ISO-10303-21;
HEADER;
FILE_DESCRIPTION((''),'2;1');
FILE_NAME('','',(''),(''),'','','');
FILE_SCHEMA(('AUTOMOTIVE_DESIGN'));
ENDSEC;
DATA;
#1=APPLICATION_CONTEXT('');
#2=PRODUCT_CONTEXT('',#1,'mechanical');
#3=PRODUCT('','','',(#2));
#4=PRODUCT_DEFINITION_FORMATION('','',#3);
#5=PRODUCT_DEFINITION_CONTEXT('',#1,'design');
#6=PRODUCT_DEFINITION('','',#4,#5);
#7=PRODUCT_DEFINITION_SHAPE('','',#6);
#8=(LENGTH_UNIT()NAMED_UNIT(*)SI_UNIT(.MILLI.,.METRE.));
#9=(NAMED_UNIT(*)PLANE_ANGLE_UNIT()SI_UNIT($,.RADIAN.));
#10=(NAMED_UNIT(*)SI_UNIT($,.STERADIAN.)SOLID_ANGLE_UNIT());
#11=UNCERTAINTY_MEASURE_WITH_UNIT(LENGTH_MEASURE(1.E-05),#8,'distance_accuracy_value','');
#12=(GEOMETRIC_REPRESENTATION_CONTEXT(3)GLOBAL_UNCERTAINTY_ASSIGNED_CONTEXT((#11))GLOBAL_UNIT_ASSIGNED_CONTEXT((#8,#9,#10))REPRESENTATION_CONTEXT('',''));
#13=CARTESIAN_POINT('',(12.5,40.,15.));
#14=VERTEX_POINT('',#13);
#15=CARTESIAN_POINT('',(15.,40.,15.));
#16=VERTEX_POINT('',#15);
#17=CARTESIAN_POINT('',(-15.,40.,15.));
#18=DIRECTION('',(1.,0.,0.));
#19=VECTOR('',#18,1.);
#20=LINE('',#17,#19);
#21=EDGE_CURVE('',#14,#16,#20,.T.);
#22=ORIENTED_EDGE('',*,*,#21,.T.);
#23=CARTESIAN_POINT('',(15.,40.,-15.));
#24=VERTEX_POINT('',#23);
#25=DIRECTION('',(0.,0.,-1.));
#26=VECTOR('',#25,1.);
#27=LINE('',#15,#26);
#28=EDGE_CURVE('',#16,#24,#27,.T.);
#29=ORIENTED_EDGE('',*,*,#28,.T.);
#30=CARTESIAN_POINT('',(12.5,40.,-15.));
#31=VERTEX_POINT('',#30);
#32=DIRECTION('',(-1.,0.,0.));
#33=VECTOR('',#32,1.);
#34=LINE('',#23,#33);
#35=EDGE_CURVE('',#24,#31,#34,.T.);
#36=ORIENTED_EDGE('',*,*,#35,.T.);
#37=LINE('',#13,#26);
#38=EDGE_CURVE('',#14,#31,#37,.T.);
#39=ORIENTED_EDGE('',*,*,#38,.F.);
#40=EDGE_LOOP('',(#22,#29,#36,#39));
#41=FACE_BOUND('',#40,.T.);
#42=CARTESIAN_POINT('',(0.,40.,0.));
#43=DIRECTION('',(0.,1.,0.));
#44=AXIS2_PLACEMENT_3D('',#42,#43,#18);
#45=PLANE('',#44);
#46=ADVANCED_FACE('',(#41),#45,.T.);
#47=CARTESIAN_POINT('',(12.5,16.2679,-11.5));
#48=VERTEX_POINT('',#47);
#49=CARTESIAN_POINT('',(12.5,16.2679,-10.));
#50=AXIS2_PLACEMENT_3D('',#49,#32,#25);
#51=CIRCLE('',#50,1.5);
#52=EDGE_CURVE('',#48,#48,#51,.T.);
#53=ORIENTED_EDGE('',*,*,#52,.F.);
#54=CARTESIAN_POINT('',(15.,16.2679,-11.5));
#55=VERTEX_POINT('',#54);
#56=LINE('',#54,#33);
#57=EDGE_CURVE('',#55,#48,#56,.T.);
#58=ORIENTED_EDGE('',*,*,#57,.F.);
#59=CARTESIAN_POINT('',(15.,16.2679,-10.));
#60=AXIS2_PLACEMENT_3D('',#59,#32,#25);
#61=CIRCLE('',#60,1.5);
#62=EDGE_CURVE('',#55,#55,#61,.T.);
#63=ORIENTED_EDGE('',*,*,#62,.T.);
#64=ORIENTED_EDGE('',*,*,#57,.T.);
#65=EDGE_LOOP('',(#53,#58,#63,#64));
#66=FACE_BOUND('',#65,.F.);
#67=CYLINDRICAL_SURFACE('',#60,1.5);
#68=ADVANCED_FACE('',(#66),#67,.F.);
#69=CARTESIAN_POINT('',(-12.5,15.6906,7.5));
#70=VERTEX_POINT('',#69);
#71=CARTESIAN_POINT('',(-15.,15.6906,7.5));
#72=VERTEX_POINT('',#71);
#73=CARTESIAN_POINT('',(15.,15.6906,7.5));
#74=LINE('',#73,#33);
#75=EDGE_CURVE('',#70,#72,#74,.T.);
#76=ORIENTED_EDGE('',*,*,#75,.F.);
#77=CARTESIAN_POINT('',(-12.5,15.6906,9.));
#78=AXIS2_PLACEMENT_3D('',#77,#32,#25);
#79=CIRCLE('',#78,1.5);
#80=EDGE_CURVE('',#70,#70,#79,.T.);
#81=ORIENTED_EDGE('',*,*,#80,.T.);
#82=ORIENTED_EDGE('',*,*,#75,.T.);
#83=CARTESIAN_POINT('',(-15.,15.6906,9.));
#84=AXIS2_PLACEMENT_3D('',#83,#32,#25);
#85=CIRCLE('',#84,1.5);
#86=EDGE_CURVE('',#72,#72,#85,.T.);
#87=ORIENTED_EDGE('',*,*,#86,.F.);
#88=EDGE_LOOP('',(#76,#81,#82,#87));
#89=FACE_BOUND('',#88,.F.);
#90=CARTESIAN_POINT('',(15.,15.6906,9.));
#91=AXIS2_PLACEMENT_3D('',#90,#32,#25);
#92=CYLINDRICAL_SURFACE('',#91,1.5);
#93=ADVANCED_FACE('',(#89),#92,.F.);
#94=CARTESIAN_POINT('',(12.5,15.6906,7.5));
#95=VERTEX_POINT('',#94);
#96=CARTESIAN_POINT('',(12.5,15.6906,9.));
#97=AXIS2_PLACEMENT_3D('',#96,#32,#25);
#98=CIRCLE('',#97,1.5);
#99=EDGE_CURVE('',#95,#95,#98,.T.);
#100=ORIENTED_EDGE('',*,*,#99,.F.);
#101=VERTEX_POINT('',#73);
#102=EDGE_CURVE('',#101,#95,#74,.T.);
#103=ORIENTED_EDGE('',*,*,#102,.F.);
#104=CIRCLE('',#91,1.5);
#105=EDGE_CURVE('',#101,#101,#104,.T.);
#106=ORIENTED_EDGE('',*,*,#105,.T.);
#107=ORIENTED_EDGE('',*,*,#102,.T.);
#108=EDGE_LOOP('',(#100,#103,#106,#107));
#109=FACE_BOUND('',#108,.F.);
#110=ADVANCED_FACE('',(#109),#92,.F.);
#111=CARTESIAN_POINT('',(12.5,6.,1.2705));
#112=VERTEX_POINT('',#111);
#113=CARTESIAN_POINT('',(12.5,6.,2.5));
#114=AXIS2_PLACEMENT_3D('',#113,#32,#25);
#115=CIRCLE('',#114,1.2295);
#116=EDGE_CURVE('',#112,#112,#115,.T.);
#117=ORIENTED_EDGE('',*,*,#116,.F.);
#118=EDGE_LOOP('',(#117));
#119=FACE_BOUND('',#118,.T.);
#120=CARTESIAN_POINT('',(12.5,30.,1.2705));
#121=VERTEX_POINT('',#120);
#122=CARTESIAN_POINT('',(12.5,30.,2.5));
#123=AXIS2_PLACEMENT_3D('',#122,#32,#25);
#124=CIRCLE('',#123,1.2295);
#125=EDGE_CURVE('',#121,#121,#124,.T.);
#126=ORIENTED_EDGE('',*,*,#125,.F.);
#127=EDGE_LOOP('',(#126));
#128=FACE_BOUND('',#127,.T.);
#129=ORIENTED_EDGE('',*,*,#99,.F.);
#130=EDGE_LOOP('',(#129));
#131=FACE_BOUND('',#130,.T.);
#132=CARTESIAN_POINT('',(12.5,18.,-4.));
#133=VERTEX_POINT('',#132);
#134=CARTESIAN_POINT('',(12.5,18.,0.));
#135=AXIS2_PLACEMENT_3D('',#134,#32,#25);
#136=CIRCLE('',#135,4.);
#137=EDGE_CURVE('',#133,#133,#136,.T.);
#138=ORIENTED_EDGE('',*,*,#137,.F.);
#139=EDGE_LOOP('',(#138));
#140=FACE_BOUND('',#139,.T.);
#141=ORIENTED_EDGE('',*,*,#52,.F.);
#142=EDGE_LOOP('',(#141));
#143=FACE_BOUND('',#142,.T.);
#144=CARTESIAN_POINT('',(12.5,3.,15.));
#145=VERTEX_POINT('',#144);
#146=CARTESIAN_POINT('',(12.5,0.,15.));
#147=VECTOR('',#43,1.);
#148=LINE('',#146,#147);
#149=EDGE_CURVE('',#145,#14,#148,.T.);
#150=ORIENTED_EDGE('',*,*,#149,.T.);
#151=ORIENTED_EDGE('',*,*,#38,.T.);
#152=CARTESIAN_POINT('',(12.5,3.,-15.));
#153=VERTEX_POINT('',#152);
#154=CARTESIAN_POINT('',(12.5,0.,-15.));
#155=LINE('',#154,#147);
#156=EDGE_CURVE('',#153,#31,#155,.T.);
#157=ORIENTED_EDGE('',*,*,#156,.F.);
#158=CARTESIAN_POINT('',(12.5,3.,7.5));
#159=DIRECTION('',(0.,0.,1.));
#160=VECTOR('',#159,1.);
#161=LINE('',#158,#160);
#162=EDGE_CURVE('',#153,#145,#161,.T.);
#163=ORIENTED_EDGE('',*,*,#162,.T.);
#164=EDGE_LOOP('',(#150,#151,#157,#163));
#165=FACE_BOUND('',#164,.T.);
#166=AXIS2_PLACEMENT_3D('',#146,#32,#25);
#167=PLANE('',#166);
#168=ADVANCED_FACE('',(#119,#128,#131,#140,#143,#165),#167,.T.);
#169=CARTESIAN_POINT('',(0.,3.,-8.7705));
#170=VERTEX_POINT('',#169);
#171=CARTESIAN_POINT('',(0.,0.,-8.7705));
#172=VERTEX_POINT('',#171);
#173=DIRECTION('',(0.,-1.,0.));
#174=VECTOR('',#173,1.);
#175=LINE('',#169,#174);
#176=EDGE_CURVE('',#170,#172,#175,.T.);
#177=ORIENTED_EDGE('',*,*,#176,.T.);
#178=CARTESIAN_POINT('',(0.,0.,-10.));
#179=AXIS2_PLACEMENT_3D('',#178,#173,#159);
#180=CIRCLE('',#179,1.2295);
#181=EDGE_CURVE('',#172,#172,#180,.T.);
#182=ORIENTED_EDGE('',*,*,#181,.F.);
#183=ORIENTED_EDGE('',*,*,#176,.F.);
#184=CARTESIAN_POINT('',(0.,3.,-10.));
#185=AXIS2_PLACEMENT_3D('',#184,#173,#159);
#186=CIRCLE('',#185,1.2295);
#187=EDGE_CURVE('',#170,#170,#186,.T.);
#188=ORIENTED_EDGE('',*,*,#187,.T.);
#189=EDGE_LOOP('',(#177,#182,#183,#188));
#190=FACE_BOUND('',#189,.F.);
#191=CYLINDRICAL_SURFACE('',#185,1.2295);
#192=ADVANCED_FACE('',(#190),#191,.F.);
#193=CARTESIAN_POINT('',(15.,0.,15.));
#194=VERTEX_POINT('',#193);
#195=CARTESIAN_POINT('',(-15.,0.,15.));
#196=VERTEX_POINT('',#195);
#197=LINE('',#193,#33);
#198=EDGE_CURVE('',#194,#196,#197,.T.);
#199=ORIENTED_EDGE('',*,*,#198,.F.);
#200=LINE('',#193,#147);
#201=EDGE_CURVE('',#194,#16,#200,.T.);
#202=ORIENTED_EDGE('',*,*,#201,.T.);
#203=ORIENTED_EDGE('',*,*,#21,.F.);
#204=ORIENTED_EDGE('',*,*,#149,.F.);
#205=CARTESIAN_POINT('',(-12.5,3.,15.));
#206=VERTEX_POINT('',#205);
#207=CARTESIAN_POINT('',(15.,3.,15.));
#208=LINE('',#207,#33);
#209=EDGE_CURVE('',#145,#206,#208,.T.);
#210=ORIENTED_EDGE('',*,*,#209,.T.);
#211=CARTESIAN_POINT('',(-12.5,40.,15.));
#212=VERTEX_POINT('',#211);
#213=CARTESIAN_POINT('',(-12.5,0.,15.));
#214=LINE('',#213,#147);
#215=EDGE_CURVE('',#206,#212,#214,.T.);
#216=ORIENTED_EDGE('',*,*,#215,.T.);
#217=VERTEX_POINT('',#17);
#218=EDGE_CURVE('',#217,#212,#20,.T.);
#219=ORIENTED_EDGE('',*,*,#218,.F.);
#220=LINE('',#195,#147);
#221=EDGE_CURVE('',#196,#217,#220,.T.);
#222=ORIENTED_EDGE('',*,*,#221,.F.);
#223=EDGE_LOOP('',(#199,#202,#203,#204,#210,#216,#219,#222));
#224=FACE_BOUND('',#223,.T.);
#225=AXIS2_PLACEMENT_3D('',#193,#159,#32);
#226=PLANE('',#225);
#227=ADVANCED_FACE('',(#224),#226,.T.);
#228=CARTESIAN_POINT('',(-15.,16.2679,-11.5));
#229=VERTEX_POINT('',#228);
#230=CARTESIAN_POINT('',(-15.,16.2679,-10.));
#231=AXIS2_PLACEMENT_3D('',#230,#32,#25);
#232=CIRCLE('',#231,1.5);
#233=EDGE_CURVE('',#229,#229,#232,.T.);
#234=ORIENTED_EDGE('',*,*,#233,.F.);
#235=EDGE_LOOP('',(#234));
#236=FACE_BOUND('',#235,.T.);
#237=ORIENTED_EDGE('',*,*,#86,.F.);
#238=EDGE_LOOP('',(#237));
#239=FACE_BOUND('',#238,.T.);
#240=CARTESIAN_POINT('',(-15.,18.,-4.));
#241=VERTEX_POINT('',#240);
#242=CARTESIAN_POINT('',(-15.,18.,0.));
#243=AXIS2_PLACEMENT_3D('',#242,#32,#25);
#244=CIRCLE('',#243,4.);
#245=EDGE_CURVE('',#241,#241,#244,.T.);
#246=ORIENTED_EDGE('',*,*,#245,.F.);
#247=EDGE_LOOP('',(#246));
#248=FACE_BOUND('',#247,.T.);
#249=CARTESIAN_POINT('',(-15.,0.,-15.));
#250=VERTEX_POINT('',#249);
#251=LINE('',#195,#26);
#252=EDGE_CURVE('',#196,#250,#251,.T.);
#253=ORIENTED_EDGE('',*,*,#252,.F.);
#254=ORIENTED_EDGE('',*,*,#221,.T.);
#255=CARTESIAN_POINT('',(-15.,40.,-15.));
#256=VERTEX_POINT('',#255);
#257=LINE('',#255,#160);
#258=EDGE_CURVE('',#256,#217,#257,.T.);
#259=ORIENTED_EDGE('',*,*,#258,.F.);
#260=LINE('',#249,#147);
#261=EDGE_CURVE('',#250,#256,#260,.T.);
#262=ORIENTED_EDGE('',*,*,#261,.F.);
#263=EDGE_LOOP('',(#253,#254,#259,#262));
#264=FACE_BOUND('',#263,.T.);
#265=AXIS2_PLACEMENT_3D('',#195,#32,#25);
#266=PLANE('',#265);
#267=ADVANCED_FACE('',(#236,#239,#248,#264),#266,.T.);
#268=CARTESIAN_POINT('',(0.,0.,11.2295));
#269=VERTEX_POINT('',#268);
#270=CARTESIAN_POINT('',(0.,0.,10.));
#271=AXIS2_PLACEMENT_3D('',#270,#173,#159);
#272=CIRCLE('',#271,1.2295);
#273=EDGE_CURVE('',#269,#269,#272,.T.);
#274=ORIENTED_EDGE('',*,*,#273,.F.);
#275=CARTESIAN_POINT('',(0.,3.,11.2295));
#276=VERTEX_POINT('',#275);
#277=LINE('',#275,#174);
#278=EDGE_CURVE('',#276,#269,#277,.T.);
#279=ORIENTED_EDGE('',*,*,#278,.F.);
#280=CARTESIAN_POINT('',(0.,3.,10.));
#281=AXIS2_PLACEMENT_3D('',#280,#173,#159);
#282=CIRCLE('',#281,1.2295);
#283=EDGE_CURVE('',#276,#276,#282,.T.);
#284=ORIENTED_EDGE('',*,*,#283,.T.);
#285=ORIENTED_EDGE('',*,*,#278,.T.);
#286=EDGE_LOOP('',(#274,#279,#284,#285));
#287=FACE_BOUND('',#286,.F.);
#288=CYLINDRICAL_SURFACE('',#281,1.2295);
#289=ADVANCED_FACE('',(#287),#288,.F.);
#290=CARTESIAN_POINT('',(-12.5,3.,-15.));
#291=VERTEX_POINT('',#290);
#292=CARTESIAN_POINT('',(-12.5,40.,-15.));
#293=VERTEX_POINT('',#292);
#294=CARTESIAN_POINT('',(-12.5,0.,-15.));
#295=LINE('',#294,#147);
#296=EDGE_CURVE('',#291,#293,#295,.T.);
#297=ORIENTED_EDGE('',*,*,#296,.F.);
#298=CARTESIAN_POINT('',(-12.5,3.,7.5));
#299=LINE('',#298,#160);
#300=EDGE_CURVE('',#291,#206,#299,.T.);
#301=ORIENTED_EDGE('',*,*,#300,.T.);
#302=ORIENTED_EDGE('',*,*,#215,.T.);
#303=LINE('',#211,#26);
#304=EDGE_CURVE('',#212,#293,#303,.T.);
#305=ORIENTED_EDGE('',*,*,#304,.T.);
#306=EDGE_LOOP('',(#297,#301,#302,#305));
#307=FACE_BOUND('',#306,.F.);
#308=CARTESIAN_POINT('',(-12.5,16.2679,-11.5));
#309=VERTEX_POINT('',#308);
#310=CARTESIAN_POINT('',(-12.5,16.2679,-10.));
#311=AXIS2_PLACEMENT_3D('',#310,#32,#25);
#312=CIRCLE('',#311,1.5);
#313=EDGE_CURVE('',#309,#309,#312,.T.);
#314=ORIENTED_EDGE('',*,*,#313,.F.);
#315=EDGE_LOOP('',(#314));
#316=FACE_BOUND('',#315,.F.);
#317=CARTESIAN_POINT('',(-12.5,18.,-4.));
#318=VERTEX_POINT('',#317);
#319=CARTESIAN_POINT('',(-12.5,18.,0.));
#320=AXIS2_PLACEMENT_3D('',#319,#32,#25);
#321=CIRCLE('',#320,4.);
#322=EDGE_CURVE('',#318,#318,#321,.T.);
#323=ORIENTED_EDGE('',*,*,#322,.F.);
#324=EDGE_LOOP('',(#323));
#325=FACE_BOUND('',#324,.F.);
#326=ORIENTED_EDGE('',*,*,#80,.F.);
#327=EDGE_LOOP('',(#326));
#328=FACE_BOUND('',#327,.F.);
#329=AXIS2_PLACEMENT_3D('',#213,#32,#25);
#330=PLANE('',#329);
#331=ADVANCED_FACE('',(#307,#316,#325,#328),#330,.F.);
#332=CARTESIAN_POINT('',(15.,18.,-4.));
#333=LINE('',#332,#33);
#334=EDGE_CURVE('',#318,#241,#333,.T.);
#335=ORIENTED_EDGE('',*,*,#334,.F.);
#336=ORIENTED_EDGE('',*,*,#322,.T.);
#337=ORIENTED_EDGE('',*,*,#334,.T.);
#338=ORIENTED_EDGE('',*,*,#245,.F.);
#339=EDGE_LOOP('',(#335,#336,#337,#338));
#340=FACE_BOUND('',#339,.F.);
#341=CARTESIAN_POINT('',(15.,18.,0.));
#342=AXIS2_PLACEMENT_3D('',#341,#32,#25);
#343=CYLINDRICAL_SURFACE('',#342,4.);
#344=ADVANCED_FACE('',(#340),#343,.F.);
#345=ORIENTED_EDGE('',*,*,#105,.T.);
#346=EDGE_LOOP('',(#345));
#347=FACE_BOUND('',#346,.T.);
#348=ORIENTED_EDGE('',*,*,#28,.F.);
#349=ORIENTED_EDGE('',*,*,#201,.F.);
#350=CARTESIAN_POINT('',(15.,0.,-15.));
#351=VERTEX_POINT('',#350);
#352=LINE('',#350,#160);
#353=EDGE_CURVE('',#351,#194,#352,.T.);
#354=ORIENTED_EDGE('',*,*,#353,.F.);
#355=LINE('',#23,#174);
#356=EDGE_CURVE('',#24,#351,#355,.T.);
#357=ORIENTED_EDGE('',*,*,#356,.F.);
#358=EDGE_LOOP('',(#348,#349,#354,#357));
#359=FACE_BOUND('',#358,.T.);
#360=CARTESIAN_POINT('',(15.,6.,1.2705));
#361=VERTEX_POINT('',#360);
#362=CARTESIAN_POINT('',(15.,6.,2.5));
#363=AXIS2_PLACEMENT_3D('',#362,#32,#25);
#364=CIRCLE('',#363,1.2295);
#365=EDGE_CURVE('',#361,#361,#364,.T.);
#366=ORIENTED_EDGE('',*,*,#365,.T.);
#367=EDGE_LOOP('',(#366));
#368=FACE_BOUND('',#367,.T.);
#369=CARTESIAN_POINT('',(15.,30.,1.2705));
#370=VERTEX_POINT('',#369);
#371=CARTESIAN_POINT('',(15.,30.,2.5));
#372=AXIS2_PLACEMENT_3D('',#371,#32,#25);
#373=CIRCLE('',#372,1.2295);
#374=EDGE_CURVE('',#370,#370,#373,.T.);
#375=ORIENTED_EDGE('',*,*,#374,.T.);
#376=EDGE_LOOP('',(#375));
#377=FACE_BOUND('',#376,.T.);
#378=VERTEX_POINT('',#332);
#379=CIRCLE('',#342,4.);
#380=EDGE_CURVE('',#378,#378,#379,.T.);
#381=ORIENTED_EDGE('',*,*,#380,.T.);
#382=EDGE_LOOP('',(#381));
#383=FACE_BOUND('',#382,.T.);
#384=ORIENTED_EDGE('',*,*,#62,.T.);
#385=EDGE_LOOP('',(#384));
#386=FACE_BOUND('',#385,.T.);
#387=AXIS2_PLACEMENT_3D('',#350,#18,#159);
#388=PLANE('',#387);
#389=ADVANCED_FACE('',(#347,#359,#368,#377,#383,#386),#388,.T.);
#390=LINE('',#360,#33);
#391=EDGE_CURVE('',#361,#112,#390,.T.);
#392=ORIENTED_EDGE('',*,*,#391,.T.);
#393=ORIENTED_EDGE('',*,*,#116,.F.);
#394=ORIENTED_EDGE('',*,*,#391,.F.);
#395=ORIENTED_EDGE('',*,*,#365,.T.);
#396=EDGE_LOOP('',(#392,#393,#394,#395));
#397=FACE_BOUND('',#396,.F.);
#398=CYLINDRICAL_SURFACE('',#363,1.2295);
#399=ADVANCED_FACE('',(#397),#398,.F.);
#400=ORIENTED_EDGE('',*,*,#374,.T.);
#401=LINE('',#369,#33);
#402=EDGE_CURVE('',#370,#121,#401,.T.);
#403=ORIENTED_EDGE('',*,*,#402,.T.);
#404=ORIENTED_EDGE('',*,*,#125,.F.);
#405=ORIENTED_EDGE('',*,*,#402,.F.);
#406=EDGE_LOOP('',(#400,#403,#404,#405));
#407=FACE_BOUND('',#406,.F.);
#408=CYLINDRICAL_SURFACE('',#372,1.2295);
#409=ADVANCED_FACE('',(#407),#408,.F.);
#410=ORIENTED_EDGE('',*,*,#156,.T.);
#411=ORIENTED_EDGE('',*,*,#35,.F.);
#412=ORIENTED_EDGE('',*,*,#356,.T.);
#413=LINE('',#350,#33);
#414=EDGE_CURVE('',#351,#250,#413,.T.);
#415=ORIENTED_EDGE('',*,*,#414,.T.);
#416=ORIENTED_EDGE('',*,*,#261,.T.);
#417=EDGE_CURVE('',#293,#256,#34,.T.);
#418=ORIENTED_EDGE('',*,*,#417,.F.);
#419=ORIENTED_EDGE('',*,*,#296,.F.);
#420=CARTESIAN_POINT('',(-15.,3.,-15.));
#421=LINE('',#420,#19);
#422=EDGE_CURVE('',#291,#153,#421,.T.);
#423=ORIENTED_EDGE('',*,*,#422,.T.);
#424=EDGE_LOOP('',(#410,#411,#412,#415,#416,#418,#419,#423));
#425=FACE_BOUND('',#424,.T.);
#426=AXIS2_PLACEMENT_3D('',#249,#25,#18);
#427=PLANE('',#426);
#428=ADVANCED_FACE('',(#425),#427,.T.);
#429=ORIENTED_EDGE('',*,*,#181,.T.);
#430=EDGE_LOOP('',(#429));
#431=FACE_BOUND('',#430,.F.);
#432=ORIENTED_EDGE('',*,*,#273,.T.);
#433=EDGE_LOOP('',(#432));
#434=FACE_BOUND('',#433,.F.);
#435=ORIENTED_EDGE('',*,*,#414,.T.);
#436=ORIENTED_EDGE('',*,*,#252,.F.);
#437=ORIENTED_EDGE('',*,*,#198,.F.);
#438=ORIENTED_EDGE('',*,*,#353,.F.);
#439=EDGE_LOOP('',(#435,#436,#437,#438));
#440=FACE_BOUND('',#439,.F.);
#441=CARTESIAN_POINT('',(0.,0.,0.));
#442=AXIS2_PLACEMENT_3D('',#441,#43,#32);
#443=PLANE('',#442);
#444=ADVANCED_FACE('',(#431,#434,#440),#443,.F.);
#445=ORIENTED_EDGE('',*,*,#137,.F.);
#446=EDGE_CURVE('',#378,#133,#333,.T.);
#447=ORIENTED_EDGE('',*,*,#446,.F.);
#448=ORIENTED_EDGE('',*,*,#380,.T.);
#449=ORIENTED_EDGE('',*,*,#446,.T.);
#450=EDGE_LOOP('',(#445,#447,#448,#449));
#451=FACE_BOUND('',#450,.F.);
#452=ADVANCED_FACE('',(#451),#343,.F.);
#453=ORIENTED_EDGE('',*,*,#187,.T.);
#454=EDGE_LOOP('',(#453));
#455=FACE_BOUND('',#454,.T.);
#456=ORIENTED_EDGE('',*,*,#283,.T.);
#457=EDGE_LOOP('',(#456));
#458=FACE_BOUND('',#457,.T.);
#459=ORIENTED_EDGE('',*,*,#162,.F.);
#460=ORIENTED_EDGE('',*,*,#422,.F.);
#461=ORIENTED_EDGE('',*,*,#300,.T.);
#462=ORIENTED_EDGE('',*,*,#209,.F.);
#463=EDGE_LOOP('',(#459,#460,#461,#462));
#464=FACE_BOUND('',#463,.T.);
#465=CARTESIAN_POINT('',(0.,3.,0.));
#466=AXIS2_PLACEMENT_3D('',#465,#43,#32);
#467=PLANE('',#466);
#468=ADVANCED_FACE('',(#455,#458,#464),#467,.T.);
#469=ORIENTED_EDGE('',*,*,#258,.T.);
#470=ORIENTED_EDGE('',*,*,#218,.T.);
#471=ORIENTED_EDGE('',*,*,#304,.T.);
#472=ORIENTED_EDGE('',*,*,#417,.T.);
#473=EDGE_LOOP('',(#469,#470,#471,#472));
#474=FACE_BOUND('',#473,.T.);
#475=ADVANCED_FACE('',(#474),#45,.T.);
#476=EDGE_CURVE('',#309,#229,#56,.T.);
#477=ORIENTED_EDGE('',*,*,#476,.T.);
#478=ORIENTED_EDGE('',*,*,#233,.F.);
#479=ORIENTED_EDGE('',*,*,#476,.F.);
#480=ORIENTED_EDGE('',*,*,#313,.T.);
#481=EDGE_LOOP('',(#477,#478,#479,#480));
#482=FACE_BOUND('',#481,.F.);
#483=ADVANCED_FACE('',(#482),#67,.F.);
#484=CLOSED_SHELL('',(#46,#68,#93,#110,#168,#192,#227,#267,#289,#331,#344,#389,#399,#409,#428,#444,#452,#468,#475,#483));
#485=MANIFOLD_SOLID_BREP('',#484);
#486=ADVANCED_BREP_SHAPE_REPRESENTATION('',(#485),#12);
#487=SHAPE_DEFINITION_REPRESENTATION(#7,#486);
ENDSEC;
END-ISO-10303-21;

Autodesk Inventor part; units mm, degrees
ref_plane "YZ Plane" through (0, 0, 0) normal (1, 0, 0) x (0, 1, 0)
ref_plane "XZ Plane" through (0, 0, 0) normal (0, 1, 0) x (-1, 0, 0)
sketch "スケッチ1" plane through (0, 0, 0) normal (0, 1, 0) x (-1, 0, 0)
  line L0 (15, -15) -> (-15, -15)
  line L1 (-15, -15) -> (-15, 15)
  line L2 (-15, 15) -> (15, 15)
  line L3 (15, 15) -> (15, -15)
  line L4 (-15, 15) -> (15, -15) construction
  line L5 (-15, -15) -> (15, 15) construction
  point P0 (0, 0)
  point P1 (0, 0)
  dimension "d0" = 30
  dimension "d1" = 30
extrude "押し出し1" add sketch "スケッチ1" along normal blind 3
sketch "スケッチ2" plane through (0, 3, 0) normal (0, 1, 0) x (1, 0, 0)
  line L0 (-15, -15) -> (15, -15) projected
  line L1 (15, -15) -> (15, 15) projected
  line L2 (15, 15) -> (-15, 15) projected
  line L3 (-15, 15) -> (-15, -15) projected
  line L4 (-15, -15) -> (15, -15) projected
  line L5 (-15, -15) -> (-12.5, -15)
  line L6 (-12.5, -15) -> (-12.5, 15)
  line L7 (-12.5, 15) -> (-15, 15)
  line L8 (-15, 15) -> (-15, -15)
  line L9 (15, -15) -> (15, 15) projected
  line L10 (15, -15) -> (12.5, -15)
  line L11 (12.5, -15) -> (12.5, 15)
  line L12 (12.5, 15) -> (15, 15)
  line L13 (15, 15) -> (15, -15)
  line L14 (15, 15) -> (-15, 15) projected
  point P0 (0, 0)
  point P1 (-12.5, 15)
  dimension "d4" = 2.5
  dimension "d5" = 2.5
extrude "押し出し2" add sketch "スケッチ2" along normal blind 40 from surface at -3 contours L3 L2 L6 L0 | L11 L2 L1 L0
sketch "スケッチ3" plane through (15, 0, 15) normal (1, 0, 0) x (0, 0, -1)
  line L0 (0, 3) -> (30, 3) projected
  line L1 (15, 18) -> (30, 18) construction
  line L2 (30, 40) -> (30, 3) construction
  line L3 (15, 18) -> (-10.0782, 18) construction
  point P0 (15, 0)
  dimension "d8" = 15
  dimension "d50" = 15
hole "穴1" at (15, 18, 0) direction (-1, 0, 0) diameter 8 end through all
sketch "スケッチ6" plane through (0, 3, 0) normal (0, 1, 0) x (1, 0, 0)
  line L0 (12.5, 15) -> (-12.5, 15) projected
  point P0 (0, 0)
  point P1 (0, 10)
  point P2 (0, -10)
  point P3 (0, 15)
  dimension "d41" = 5
  dimension "d42" = 20
hole "穴3" at (0, 3, -10) at (0, 3, 10) direction (0, -1, 0) diameter 2.459 depth 3 thread size "M3x0.5" class "6H" standard "ISO Metric profile"
sketch "スケッチ8" plane through (15, 0, 15) normal (1, 0, 0) x (0, 0, -1)
  circle A0 centre (15, 18) radius 4 projected
  line L0 (12.5, 30) -> (12.5, 6) construction
  point P0 (15, 0)
  dimension "d56" = 24
  dimension "d57" = 12
  dimension "d58" = 2.5
hole "穴4" at (15, 30, 2.5) at (15, 6, 2.5) direction (-1, 0, 0) diameter 2.459 depth 2.5 thread size "M3x0.5" class "6H" standard "ISO Metric profile"
sketch "スケッチ9" plane through (15, 0, 15) normal (1, 0, 0) x (0, 0, -1)
  circle A0 centre (15, 18) radius 4 projected
  line L0 (0, 18) -> (15, 18)
  line L1 (0, 0) -> (0, 40) projected
  line L2 (30, 0) -> (30, 40) projected
  line L3 (15, 18) -> (-5.0402, 29.5702)
  line L4 (15, 18) -> (33.9658, 28.9499)
  circle A1 centre (6, 15.6906) radius 1.5
  circle A2 centre (25, 16.2679) radius 1.5
  line L5 (12.5, 13.6699) -> (-5.7345, 24.1976)
  line L6 (17.5, 13.6699) -> (25.6852, 18.3956)
  point P0 (15, 0)
  dimension "d70" = 3
  dimension "d71" = 3
  dimension "d72" = 6
  dimension "d73" = 5
  dimension "d83" = 5
  dimension "d84" = 5
  dimension "d85" = 30
  dimension "d86" = 30
hole "穴5" at (15, 15.6906, 9) at (15, 16.2679, -10) direction (-1, 0, 0) diameter 3 depth 30
ref_plane "作業平面1" through (0, 3, 15) normal (1, 0, 0) x (0, 0, -1)
properties part number "hand1" material "アルミニウム 6061"
